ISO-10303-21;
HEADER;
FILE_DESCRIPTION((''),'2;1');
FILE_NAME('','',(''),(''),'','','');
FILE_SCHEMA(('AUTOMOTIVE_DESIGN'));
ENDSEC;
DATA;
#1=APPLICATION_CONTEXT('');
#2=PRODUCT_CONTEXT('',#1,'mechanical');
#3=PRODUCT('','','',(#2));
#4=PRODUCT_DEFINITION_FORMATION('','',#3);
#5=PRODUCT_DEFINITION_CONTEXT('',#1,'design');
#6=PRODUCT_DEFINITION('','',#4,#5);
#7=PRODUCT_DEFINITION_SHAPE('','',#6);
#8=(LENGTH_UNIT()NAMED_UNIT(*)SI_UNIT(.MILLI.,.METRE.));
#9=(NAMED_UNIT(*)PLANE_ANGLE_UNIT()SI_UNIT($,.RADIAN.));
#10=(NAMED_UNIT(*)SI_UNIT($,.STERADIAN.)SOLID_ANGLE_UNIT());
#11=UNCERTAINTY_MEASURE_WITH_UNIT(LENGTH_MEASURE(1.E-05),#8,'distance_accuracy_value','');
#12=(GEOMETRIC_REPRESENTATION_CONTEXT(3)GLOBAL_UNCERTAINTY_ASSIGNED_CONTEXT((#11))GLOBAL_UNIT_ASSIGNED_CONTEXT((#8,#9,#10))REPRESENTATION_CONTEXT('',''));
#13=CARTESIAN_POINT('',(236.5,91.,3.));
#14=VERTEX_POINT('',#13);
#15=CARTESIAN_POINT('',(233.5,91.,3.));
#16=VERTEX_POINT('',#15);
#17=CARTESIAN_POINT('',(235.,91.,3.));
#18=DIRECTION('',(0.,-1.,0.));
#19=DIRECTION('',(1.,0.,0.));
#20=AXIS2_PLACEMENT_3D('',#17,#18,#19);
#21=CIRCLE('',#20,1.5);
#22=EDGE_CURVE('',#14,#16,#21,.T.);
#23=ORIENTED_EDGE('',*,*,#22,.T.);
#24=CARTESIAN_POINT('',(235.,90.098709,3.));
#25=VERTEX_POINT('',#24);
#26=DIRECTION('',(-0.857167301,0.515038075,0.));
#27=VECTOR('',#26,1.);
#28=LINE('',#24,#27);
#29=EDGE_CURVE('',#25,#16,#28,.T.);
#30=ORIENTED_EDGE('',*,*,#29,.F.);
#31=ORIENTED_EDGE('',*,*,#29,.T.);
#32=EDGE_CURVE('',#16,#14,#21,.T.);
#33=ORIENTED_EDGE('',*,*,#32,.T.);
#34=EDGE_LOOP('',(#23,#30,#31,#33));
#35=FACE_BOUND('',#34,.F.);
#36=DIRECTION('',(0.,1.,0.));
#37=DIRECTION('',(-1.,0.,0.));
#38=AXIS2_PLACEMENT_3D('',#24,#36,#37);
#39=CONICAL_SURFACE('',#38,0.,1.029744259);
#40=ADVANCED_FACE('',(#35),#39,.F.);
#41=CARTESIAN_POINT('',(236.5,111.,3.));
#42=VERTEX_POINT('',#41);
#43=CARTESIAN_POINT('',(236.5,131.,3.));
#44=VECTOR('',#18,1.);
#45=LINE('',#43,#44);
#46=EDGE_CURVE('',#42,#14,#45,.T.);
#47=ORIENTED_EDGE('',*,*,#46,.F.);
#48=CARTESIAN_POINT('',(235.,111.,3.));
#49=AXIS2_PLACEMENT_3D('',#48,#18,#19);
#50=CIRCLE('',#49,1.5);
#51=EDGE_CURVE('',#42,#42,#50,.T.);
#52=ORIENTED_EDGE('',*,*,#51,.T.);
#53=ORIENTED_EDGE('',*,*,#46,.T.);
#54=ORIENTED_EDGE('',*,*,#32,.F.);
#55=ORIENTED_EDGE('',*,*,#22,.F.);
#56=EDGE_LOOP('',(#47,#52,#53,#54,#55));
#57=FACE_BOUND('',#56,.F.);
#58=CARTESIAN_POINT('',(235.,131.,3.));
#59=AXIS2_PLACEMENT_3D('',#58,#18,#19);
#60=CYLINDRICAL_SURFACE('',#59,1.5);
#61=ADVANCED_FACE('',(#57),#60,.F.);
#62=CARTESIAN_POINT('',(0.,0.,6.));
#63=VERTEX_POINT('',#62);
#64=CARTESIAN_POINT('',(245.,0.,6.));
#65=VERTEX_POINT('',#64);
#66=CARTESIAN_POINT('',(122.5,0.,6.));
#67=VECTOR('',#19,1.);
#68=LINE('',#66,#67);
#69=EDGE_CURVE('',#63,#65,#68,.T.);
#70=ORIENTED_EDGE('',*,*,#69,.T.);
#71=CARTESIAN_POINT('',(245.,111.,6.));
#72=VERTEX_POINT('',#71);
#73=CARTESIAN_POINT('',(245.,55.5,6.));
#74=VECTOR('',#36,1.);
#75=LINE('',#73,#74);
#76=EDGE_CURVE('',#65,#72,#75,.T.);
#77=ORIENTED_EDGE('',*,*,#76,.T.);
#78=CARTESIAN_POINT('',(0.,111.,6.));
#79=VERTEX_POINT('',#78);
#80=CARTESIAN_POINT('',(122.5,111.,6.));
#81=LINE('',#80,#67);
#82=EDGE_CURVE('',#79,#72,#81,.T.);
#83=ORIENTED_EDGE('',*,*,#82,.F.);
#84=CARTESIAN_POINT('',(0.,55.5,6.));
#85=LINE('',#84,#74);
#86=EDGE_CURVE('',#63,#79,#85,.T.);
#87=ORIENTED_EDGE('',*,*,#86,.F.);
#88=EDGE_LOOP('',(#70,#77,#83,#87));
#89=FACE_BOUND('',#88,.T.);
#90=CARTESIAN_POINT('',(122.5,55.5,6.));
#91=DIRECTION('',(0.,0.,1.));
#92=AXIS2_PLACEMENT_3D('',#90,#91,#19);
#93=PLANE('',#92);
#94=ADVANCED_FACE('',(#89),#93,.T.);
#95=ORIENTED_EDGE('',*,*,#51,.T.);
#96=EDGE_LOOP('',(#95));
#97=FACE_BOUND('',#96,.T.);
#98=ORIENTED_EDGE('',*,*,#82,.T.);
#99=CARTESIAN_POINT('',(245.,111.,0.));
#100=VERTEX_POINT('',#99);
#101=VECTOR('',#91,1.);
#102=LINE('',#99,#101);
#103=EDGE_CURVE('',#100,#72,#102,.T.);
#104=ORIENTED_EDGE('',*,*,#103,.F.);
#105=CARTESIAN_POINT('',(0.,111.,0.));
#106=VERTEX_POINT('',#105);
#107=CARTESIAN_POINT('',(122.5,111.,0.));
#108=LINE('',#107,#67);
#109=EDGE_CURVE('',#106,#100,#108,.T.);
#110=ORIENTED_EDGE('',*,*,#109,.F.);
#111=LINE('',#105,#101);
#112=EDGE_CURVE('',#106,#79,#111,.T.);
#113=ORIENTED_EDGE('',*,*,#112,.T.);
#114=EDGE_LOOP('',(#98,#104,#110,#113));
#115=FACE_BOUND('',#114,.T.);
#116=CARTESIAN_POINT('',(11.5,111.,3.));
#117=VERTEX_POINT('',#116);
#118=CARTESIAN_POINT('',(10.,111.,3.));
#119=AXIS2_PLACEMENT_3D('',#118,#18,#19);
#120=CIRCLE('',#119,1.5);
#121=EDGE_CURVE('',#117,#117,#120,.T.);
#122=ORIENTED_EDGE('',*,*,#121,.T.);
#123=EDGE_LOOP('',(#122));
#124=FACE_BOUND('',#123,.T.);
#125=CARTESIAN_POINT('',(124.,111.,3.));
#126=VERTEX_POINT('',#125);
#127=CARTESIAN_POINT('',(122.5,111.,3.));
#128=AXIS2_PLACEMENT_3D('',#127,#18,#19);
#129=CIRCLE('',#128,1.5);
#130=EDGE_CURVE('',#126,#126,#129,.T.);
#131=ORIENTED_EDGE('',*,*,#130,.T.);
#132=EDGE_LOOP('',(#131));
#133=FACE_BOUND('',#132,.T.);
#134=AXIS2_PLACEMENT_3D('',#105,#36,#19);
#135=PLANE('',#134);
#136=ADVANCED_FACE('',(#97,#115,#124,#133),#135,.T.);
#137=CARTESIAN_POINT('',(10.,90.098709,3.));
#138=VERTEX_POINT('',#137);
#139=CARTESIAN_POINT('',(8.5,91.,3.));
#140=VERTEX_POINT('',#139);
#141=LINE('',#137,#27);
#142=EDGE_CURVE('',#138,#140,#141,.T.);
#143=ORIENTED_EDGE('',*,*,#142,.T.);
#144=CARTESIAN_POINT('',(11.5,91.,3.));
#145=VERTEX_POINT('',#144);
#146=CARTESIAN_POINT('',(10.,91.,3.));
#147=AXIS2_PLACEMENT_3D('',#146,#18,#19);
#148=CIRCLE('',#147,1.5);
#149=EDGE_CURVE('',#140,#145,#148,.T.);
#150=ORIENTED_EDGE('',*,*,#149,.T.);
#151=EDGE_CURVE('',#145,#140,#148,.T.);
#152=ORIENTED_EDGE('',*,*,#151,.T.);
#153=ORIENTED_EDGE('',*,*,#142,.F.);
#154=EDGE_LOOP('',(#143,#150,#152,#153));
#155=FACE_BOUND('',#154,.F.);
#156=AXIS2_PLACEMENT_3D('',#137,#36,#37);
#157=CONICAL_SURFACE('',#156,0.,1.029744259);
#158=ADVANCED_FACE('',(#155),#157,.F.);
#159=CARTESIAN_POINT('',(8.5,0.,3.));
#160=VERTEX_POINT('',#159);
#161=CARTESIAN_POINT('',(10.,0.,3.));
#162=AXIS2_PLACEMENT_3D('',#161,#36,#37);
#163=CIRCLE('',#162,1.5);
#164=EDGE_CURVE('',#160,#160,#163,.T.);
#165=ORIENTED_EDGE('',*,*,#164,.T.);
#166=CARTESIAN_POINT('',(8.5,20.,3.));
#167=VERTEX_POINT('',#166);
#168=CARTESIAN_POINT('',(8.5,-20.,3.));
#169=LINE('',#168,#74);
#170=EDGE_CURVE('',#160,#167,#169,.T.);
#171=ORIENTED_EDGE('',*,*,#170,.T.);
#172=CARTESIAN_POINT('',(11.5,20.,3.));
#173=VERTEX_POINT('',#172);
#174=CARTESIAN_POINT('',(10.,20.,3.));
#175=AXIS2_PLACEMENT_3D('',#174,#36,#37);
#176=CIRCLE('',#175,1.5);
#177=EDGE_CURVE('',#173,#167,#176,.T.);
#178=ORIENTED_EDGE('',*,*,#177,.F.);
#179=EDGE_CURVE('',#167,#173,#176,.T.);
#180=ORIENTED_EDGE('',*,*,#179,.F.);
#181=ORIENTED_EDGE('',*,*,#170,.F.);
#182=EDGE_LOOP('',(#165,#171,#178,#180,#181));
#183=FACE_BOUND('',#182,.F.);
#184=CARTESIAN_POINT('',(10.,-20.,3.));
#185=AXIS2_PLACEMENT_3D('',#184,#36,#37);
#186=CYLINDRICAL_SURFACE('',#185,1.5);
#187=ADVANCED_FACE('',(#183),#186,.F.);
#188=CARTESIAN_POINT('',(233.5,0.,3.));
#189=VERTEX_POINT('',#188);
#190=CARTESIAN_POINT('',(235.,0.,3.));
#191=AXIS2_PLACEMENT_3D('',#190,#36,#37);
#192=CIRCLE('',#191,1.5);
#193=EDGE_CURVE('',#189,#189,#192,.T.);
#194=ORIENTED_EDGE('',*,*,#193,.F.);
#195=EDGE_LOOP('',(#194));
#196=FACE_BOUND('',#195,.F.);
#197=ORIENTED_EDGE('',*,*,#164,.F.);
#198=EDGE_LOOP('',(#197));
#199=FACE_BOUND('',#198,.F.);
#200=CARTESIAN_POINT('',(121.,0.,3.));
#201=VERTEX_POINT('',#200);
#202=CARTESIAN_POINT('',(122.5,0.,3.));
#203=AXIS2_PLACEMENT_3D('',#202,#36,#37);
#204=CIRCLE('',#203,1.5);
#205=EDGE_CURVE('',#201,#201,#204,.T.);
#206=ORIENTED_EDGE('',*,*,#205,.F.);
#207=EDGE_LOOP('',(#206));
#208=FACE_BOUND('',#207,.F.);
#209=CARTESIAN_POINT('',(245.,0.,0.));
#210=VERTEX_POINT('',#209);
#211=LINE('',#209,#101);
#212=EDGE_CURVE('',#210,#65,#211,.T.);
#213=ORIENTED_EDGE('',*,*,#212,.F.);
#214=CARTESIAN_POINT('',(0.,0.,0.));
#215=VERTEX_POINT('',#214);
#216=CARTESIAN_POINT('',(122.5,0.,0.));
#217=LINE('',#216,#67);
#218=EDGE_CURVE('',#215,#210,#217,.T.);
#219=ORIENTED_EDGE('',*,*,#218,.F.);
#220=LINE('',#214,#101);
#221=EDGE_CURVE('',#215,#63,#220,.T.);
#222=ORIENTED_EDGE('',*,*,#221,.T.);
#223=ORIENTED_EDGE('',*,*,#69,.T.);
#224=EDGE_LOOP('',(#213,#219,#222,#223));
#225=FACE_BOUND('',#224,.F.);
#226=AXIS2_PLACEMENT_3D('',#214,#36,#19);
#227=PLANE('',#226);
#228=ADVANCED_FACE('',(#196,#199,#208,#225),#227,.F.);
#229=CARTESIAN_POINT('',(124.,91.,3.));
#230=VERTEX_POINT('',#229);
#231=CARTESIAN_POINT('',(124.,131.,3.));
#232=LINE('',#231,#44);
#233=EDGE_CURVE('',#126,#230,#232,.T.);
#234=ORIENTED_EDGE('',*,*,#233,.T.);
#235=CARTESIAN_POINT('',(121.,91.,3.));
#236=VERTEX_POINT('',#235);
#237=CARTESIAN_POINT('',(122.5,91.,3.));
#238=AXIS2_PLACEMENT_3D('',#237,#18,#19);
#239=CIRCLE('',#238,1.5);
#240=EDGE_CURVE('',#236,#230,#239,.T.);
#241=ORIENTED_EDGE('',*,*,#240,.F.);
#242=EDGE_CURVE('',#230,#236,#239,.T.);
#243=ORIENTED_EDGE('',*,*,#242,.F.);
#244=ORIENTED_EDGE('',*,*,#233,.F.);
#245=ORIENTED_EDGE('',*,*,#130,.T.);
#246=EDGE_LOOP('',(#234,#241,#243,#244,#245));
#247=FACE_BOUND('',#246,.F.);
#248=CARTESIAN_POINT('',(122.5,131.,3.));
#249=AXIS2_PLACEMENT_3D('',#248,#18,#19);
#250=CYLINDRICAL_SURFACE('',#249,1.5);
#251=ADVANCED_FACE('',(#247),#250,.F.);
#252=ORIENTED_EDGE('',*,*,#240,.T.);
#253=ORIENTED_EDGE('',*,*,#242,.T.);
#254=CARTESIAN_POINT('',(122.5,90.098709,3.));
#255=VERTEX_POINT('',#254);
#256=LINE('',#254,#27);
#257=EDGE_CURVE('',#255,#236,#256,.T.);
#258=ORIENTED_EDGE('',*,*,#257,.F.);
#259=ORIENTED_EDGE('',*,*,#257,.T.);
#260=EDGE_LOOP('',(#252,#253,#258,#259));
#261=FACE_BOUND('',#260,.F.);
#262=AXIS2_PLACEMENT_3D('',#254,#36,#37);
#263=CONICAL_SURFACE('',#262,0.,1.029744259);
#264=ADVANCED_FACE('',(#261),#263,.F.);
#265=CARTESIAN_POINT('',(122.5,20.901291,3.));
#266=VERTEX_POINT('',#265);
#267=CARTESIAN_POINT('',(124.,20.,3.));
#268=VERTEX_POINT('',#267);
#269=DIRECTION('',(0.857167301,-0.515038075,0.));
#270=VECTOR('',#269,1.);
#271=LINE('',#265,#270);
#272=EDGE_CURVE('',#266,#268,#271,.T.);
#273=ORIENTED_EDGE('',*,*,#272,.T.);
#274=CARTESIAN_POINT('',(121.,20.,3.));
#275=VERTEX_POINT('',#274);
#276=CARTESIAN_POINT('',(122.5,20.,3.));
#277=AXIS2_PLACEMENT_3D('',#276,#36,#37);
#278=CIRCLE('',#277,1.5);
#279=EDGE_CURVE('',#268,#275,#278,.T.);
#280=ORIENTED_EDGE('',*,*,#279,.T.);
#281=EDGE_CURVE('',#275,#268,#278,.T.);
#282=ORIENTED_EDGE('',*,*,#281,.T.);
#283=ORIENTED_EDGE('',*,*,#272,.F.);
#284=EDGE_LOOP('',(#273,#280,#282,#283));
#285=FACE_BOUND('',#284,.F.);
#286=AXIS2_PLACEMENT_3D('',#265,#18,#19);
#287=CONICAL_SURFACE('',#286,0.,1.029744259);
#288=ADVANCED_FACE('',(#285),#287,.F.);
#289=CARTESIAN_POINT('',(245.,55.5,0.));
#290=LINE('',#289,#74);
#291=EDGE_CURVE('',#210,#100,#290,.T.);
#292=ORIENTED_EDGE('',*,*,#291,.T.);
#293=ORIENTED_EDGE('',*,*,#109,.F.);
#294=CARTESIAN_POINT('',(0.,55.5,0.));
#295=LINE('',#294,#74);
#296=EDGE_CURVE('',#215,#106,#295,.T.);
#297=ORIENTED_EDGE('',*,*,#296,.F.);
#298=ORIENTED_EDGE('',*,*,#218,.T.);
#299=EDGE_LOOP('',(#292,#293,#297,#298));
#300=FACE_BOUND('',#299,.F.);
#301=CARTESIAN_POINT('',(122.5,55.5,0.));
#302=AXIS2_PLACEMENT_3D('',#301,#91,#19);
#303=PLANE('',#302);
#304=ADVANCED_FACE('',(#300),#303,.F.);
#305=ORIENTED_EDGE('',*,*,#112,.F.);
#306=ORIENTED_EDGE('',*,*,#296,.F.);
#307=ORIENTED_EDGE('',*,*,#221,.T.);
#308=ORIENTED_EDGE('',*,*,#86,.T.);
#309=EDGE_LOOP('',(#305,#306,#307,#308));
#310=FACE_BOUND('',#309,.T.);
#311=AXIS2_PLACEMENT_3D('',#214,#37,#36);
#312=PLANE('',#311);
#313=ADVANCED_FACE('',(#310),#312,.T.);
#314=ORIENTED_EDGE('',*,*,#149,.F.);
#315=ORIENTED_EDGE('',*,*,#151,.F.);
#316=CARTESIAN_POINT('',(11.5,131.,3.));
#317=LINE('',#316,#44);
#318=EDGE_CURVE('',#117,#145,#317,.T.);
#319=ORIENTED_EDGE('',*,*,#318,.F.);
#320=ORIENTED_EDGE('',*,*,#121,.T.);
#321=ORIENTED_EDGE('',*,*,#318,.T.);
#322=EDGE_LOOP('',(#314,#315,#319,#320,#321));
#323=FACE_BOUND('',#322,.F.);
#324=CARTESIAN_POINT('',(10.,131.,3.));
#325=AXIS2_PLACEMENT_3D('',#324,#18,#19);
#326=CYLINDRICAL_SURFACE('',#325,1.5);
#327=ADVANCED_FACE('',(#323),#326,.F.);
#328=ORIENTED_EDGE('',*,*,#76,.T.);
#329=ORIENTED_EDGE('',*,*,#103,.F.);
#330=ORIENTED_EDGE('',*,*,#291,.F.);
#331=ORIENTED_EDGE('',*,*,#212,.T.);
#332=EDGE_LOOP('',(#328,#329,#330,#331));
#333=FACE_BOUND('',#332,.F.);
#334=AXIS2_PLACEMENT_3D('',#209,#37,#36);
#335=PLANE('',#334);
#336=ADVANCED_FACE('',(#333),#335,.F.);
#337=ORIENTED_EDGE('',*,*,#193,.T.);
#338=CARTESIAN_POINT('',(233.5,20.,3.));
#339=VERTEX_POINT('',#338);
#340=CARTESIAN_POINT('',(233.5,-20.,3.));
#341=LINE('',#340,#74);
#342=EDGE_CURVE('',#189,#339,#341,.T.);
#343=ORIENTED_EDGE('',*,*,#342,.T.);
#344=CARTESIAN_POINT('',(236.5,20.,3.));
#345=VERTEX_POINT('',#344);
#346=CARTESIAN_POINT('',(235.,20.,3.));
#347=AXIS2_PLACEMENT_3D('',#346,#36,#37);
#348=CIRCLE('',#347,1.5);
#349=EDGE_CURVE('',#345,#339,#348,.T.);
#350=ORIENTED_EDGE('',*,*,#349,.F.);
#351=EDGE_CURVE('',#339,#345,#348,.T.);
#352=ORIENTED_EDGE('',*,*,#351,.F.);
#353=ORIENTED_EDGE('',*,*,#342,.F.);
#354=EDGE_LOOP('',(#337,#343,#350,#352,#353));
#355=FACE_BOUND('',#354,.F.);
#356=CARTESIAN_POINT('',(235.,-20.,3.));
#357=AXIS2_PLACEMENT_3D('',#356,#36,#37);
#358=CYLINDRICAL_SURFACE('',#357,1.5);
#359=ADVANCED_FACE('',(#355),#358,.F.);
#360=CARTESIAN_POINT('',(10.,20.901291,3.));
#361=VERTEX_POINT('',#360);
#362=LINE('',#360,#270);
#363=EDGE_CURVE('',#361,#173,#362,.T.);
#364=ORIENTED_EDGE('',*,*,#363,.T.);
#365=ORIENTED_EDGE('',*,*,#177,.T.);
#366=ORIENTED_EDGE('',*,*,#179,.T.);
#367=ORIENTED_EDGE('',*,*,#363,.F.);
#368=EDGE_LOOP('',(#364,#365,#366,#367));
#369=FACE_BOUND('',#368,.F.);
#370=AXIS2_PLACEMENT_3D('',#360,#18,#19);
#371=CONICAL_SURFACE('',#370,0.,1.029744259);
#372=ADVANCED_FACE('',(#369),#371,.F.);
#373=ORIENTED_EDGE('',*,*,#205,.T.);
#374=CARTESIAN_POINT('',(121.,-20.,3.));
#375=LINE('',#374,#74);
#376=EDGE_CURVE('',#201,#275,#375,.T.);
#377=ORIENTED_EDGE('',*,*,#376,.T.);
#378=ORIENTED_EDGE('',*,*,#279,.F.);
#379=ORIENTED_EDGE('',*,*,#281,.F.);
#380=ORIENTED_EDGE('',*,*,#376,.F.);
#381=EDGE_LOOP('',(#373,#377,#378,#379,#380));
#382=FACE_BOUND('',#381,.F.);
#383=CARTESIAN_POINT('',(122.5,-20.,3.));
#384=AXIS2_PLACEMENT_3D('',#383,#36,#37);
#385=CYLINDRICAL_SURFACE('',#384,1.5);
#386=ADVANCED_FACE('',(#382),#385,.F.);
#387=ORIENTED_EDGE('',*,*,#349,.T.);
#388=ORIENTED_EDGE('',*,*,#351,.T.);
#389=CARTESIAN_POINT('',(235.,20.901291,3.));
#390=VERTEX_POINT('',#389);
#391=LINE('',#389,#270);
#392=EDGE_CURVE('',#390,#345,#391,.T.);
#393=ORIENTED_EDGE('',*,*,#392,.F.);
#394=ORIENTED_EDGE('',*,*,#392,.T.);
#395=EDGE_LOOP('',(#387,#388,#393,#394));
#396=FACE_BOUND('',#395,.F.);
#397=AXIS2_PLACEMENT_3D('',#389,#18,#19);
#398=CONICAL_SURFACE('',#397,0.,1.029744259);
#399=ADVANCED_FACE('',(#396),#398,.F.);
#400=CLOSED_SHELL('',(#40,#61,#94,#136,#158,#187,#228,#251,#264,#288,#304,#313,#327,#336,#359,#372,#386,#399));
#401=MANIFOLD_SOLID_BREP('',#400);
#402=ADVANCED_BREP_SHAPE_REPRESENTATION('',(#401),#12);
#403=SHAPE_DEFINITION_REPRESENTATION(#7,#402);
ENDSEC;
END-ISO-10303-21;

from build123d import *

# Parameters (mm, degrees)
F0_W     = 245
F0_H     = 111
F1_DEPTH = 6
F3_D     = 3
F3_DEPTH = 20
F3_TIP   = 0.9012909285
F5_D     = 3
F5_DEPTH = 20
F5_TIP   = 0.9012909285


with BuildPart() as f1:
    # F0 (on Top) → F1 (new body)
    with BuildSketch(Plane.XY):
        with Locations((122.5, 55.5)):
            Rectangle(F0_W, F0_H)
    extrude(amount=F1_DEPTH)

    # F3
    with Locations(Plane.XZ):
        with Locations((10, 3), (122.5, 3), (235, 3)):
            Hole(F3_D / 2, depth=F3_DEPTH)
            with Locations((0, 0, -(F3_DEPTH + F3_TIP / 2))):  # 118° drill point
                Cone(0, F3_D / 2, F3_TIP, mode=Mode.SUBTRACT)

    # F5
    with Locations(Plane(origin=(0, 111, 0), x_dir=(-1, 0, 0), z_dir=(0, 1, 0))):
        with Locations((-235, 3), (-122.5, 3), (-10, 3)):
            Hole(F5_D / 2, depth=F5_DEPTH)
            with Locations((0, 0, -(F5_DEPTH + F5_TIP / 2))):  # 118° drill point
                Cone(0, F5_D / 2, F5_TIP, mode=Mode.SUBTRACT)


solid = f1.part
